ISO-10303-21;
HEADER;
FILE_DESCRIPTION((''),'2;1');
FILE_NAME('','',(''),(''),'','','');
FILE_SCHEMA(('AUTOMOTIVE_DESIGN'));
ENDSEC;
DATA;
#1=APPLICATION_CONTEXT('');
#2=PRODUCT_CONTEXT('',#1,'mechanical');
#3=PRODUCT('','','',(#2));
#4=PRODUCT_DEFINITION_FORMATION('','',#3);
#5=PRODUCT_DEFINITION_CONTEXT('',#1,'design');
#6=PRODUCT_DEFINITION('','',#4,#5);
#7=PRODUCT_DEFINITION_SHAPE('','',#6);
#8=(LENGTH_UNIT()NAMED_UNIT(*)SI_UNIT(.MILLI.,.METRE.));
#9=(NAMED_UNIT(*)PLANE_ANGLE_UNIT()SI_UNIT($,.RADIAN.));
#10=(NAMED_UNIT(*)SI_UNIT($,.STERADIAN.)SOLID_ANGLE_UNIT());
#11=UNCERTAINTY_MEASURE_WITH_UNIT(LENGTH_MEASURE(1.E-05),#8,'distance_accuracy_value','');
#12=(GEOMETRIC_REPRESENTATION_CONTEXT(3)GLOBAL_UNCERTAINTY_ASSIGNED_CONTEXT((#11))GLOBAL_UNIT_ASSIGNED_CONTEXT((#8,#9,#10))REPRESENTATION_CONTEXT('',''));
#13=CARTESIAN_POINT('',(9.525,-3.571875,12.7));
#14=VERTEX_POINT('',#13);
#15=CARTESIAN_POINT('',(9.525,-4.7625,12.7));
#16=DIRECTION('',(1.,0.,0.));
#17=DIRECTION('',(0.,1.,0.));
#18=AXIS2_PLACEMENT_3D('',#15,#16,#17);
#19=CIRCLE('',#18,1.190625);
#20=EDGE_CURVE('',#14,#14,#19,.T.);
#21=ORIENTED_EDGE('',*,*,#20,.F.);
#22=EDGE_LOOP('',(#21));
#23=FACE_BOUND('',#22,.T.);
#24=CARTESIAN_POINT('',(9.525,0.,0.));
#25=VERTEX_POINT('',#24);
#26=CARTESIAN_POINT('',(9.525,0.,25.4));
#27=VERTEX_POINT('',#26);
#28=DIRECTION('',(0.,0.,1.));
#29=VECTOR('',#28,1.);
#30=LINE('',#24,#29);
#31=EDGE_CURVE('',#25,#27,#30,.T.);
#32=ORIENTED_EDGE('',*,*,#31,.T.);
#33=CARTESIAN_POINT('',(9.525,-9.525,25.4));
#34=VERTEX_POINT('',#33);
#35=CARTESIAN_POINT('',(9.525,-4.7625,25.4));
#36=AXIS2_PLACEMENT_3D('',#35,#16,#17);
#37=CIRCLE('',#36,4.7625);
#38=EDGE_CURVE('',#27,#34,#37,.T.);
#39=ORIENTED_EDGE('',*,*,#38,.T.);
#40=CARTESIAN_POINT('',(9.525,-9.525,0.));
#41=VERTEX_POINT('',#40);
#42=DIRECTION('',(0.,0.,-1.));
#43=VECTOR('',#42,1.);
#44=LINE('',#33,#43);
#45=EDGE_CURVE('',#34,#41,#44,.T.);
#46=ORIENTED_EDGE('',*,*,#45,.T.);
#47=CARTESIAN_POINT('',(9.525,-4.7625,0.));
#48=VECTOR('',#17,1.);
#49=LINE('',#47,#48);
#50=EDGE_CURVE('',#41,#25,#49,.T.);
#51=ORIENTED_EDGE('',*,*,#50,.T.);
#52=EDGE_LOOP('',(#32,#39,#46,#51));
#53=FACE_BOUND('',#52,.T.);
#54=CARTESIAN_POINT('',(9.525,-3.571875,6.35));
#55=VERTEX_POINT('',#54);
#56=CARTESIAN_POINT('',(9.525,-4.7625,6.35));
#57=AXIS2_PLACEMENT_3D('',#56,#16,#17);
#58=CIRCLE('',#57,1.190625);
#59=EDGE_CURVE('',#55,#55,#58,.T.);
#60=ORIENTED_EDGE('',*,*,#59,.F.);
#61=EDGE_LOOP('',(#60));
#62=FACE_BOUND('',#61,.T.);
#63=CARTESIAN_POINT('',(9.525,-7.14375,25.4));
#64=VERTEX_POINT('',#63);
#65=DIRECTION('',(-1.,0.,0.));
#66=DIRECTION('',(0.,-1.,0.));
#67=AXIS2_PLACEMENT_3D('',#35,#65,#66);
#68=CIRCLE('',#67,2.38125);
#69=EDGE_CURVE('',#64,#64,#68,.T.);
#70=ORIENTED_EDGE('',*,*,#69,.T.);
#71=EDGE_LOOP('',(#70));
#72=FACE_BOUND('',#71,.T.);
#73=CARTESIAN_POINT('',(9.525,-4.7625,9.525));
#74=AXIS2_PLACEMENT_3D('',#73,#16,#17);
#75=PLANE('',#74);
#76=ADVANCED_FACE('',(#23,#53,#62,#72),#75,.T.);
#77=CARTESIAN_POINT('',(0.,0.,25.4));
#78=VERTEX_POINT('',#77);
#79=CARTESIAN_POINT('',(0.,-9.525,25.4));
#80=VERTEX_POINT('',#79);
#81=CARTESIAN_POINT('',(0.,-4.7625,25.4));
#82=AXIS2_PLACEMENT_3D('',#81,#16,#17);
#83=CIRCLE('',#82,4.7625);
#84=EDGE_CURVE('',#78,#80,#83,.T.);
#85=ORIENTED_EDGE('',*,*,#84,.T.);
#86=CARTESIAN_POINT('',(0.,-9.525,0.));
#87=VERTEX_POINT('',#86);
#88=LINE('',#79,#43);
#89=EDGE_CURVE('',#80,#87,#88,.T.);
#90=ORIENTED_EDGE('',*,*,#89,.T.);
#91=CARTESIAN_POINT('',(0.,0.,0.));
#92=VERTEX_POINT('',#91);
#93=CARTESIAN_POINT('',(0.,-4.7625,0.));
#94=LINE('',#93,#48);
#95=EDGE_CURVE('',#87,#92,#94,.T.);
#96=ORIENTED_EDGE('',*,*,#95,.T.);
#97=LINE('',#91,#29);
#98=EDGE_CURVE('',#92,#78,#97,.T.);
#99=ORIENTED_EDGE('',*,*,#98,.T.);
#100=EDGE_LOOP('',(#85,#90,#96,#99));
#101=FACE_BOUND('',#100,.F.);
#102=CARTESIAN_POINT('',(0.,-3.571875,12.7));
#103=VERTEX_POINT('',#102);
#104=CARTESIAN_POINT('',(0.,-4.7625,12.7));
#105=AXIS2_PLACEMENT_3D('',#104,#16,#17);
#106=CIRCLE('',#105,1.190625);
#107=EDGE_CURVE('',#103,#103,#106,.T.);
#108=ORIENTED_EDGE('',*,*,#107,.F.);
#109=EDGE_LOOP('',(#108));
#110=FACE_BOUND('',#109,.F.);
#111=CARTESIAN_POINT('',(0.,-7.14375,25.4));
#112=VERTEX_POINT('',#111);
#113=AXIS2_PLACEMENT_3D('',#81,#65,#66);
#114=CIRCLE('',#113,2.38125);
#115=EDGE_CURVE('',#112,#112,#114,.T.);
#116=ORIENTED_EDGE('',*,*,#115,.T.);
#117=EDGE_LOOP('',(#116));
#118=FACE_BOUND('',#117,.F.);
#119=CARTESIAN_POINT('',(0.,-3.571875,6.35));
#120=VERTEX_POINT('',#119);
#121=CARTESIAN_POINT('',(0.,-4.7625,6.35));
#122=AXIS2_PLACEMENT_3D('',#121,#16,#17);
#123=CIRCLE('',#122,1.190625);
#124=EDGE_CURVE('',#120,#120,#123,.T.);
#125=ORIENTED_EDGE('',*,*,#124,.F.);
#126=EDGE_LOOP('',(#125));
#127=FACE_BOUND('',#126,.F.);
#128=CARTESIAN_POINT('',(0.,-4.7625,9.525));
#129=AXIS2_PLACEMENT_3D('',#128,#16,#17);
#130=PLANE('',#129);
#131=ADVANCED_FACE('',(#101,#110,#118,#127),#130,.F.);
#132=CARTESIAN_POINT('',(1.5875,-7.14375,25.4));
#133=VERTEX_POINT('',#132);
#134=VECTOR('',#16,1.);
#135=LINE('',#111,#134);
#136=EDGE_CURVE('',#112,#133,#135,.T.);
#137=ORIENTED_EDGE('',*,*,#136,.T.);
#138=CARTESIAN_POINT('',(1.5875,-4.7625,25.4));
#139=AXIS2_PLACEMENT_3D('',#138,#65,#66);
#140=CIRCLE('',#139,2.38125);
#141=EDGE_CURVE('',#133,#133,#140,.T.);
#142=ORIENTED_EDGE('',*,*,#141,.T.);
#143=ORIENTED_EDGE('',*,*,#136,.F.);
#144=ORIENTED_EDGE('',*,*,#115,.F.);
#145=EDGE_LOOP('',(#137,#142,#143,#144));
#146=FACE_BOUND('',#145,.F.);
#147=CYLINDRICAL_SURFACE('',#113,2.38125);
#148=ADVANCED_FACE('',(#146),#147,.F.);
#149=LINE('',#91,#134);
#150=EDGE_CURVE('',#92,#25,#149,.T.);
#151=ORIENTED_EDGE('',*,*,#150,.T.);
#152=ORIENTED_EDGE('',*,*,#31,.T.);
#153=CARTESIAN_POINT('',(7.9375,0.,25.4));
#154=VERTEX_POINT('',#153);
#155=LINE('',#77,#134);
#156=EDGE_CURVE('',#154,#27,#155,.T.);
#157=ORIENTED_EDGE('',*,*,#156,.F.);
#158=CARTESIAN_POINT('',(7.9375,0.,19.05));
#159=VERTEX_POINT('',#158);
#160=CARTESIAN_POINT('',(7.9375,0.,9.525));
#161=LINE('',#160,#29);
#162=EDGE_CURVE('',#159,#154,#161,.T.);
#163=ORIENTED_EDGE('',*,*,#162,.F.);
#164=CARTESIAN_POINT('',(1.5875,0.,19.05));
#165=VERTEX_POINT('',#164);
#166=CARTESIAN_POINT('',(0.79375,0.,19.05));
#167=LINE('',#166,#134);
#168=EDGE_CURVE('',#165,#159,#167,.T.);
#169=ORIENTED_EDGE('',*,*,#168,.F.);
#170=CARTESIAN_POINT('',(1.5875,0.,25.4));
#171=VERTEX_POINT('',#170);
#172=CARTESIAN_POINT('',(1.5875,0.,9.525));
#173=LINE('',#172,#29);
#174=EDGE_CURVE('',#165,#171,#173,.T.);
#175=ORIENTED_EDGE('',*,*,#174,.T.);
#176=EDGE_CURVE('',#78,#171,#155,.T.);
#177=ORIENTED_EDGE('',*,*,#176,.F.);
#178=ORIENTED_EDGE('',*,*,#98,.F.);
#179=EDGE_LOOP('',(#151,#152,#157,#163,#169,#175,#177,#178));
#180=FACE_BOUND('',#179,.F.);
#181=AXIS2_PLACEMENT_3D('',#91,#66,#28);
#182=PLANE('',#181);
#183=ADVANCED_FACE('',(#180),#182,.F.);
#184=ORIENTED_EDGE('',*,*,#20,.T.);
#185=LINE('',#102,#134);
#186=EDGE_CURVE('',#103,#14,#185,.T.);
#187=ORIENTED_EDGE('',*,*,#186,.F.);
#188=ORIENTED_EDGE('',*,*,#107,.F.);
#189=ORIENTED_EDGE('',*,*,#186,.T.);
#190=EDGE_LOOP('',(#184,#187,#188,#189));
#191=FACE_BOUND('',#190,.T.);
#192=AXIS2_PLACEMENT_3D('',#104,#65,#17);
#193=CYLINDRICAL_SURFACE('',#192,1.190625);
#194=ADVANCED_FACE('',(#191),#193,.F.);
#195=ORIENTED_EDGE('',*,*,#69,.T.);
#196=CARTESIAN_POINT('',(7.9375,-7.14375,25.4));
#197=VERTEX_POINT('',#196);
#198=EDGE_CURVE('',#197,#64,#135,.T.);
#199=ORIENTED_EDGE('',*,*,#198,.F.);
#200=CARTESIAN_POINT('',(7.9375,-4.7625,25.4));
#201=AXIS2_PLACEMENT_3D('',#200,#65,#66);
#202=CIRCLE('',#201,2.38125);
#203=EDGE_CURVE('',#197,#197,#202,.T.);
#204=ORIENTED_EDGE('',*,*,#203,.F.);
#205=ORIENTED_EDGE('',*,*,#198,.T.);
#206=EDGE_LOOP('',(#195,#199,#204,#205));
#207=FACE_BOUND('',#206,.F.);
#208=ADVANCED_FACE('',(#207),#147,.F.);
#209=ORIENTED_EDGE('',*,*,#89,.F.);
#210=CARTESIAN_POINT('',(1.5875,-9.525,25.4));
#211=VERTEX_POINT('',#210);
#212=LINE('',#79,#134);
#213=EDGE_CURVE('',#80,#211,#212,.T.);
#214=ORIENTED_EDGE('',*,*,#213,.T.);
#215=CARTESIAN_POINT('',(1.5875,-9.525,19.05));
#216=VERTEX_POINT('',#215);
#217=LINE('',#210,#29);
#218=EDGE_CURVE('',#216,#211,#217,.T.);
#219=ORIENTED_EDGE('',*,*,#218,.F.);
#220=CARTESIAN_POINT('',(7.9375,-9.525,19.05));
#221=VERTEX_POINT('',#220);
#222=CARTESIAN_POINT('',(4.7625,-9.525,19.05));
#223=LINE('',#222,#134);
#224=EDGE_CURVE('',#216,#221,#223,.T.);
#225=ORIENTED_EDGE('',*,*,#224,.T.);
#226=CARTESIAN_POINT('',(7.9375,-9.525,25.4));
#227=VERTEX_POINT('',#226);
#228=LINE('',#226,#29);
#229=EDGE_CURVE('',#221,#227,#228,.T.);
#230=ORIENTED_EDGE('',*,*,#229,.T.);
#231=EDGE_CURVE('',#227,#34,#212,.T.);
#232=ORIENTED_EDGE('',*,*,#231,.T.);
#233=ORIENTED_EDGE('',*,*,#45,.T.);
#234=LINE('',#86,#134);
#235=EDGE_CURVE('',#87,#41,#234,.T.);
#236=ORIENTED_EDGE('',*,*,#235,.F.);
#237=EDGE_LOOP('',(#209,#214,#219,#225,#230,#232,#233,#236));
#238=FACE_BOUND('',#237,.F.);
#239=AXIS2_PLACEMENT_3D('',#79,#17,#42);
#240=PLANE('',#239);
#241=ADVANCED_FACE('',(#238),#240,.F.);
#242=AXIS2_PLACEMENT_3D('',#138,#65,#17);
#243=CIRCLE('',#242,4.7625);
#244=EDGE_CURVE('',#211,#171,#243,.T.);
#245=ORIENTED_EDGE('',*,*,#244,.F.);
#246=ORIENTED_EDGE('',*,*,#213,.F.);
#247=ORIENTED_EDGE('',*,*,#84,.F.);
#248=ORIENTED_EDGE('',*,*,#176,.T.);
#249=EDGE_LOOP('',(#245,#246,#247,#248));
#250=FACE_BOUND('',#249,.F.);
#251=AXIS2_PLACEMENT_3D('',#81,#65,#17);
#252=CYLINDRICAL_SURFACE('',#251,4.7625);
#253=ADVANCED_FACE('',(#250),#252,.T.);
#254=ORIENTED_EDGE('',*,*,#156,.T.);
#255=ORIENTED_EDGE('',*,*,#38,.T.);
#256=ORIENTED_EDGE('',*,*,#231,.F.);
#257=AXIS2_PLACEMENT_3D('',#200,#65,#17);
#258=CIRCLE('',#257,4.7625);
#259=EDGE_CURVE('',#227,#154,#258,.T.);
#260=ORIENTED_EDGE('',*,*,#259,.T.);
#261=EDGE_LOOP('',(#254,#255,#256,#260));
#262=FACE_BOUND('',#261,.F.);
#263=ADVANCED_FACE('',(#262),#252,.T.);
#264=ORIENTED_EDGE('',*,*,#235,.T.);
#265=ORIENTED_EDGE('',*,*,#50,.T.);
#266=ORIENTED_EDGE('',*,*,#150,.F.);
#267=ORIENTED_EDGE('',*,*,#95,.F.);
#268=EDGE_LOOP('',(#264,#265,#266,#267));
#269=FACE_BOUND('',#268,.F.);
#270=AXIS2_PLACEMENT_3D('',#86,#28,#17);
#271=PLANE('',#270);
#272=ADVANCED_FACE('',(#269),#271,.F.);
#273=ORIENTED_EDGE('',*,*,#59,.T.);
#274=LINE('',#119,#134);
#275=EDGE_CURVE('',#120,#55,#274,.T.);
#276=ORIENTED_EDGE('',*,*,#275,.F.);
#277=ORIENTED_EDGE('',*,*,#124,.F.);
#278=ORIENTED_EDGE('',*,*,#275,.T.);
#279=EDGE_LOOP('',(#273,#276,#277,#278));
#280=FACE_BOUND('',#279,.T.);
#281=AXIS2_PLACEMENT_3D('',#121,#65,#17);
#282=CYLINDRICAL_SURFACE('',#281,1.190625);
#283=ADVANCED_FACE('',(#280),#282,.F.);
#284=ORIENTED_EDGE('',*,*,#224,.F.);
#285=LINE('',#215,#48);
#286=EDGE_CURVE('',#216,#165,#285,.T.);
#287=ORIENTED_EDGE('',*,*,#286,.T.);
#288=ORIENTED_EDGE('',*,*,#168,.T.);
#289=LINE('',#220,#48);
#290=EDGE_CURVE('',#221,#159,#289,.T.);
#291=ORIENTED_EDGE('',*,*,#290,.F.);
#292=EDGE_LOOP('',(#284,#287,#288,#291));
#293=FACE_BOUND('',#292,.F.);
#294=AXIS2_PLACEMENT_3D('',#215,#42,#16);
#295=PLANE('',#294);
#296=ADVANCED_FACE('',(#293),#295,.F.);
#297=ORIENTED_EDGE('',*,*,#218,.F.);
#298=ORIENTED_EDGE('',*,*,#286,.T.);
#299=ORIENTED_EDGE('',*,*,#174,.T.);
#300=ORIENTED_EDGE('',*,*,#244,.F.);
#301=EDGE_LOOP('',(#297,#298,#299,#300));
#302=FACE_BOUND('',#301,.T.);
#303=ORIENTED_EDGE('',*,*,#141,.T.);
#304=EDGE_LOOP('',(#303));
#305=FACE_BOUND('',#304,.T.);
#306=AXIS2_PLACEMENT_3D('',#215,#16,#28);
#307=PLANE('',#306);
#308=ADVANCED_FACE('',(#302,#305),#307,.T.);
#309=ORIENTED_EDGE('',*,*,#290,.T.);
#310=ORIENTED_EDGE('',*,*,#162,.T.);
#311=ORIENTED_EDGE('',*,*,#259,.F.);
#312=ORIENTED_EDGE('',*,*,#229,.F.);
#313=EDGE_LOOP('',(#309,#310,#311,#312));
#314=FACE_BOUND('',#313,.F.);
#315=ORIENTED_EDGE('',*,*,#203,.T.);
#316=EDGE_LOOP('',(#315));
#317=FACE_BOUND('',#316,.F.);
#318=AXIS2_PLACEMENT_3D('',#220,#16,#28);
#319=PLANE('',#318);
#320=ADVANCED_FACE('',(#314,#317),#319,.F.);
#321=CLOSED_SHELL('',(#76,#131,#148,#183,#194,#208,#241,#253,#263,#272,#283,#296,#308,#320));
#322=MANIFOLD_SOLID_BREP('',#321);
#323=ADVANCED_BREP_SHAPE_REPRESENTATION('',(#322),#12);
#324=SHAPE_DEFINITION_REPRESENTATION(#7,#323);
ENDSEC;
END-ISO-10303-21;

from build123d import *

# Parameters (mm, degrees)
F0_W     = 9.525
F0_H     = 19.05
F0_R     = 1.190625
F1_DEPTH = 9.525
F2_W     = 6.35
F2_H     = 12.7
F3_DEPTH = 9.526


with BuildPart() as f1:
    # F0 (on Right) → F1 (new body)
    with BuildSketch(Plane.YZ):
        with Locations((-4.7625, 9.525)):
            Rectangle(F0_W, F0_H)
        with Locations((-4.7625, 6.35)):
            Circle(F0_R, mode=Mode.SUBTRACT)
        with Locations((-4.7625, 12.7)):
            Circle(F0_R, mode=Mode.SUBTRACT)
        with BuildLine():
            Line((-9.525, 19.05), (0, 19.05))
            Line((0, 19.05), (0, 25.4))
            ThreePointArc((0, 25.4), (-4.7625, 20.6375), (-9.525, 25.4))
            Line((-9.525, 25.4), (-9.525, 19.05))
        make_face()
        with BuildLine():
            ThreePointArc((-9.525, 25.4), (-4.7625, 20.6375), (0, 25.4))
            Line((0, 25.4), (-2.38125, 25.4))
            ThreePointArc((-2.38125, 25.4), (-4.7625, 23.01875), (-7.14375, 25.4))
            Line((-7.14375, 25.4), (-9.525, 25.4))
        make_face()
        with BuildLine():
            Line((-2.38125, 25.4), (0, 25.4))
            ThreePointArc((0, 25.4), (-4.7625, 30.1625), (-9.525, 25.4))
            Line((-9.525, 25.4), (-7.14375, 25.4))
            ThreePointArc((-7.14375, 25.4), (-4.7625, 27.78125), (-2.38125, 25.4))
        make_face()
    extrude(amount=F1_DEPTH)

    # F2 (on face) → F3 (cut, through all)
    with BuildSketch(Plane.XZ.offset(9.525)):
        with Locations((4.7625, 25.4)):
            Rectangle(F2_W, F2_H)
    extrude(amount=-F3_DEPTH, mode=Mode.SUBTRACT)


solid = f1.part
